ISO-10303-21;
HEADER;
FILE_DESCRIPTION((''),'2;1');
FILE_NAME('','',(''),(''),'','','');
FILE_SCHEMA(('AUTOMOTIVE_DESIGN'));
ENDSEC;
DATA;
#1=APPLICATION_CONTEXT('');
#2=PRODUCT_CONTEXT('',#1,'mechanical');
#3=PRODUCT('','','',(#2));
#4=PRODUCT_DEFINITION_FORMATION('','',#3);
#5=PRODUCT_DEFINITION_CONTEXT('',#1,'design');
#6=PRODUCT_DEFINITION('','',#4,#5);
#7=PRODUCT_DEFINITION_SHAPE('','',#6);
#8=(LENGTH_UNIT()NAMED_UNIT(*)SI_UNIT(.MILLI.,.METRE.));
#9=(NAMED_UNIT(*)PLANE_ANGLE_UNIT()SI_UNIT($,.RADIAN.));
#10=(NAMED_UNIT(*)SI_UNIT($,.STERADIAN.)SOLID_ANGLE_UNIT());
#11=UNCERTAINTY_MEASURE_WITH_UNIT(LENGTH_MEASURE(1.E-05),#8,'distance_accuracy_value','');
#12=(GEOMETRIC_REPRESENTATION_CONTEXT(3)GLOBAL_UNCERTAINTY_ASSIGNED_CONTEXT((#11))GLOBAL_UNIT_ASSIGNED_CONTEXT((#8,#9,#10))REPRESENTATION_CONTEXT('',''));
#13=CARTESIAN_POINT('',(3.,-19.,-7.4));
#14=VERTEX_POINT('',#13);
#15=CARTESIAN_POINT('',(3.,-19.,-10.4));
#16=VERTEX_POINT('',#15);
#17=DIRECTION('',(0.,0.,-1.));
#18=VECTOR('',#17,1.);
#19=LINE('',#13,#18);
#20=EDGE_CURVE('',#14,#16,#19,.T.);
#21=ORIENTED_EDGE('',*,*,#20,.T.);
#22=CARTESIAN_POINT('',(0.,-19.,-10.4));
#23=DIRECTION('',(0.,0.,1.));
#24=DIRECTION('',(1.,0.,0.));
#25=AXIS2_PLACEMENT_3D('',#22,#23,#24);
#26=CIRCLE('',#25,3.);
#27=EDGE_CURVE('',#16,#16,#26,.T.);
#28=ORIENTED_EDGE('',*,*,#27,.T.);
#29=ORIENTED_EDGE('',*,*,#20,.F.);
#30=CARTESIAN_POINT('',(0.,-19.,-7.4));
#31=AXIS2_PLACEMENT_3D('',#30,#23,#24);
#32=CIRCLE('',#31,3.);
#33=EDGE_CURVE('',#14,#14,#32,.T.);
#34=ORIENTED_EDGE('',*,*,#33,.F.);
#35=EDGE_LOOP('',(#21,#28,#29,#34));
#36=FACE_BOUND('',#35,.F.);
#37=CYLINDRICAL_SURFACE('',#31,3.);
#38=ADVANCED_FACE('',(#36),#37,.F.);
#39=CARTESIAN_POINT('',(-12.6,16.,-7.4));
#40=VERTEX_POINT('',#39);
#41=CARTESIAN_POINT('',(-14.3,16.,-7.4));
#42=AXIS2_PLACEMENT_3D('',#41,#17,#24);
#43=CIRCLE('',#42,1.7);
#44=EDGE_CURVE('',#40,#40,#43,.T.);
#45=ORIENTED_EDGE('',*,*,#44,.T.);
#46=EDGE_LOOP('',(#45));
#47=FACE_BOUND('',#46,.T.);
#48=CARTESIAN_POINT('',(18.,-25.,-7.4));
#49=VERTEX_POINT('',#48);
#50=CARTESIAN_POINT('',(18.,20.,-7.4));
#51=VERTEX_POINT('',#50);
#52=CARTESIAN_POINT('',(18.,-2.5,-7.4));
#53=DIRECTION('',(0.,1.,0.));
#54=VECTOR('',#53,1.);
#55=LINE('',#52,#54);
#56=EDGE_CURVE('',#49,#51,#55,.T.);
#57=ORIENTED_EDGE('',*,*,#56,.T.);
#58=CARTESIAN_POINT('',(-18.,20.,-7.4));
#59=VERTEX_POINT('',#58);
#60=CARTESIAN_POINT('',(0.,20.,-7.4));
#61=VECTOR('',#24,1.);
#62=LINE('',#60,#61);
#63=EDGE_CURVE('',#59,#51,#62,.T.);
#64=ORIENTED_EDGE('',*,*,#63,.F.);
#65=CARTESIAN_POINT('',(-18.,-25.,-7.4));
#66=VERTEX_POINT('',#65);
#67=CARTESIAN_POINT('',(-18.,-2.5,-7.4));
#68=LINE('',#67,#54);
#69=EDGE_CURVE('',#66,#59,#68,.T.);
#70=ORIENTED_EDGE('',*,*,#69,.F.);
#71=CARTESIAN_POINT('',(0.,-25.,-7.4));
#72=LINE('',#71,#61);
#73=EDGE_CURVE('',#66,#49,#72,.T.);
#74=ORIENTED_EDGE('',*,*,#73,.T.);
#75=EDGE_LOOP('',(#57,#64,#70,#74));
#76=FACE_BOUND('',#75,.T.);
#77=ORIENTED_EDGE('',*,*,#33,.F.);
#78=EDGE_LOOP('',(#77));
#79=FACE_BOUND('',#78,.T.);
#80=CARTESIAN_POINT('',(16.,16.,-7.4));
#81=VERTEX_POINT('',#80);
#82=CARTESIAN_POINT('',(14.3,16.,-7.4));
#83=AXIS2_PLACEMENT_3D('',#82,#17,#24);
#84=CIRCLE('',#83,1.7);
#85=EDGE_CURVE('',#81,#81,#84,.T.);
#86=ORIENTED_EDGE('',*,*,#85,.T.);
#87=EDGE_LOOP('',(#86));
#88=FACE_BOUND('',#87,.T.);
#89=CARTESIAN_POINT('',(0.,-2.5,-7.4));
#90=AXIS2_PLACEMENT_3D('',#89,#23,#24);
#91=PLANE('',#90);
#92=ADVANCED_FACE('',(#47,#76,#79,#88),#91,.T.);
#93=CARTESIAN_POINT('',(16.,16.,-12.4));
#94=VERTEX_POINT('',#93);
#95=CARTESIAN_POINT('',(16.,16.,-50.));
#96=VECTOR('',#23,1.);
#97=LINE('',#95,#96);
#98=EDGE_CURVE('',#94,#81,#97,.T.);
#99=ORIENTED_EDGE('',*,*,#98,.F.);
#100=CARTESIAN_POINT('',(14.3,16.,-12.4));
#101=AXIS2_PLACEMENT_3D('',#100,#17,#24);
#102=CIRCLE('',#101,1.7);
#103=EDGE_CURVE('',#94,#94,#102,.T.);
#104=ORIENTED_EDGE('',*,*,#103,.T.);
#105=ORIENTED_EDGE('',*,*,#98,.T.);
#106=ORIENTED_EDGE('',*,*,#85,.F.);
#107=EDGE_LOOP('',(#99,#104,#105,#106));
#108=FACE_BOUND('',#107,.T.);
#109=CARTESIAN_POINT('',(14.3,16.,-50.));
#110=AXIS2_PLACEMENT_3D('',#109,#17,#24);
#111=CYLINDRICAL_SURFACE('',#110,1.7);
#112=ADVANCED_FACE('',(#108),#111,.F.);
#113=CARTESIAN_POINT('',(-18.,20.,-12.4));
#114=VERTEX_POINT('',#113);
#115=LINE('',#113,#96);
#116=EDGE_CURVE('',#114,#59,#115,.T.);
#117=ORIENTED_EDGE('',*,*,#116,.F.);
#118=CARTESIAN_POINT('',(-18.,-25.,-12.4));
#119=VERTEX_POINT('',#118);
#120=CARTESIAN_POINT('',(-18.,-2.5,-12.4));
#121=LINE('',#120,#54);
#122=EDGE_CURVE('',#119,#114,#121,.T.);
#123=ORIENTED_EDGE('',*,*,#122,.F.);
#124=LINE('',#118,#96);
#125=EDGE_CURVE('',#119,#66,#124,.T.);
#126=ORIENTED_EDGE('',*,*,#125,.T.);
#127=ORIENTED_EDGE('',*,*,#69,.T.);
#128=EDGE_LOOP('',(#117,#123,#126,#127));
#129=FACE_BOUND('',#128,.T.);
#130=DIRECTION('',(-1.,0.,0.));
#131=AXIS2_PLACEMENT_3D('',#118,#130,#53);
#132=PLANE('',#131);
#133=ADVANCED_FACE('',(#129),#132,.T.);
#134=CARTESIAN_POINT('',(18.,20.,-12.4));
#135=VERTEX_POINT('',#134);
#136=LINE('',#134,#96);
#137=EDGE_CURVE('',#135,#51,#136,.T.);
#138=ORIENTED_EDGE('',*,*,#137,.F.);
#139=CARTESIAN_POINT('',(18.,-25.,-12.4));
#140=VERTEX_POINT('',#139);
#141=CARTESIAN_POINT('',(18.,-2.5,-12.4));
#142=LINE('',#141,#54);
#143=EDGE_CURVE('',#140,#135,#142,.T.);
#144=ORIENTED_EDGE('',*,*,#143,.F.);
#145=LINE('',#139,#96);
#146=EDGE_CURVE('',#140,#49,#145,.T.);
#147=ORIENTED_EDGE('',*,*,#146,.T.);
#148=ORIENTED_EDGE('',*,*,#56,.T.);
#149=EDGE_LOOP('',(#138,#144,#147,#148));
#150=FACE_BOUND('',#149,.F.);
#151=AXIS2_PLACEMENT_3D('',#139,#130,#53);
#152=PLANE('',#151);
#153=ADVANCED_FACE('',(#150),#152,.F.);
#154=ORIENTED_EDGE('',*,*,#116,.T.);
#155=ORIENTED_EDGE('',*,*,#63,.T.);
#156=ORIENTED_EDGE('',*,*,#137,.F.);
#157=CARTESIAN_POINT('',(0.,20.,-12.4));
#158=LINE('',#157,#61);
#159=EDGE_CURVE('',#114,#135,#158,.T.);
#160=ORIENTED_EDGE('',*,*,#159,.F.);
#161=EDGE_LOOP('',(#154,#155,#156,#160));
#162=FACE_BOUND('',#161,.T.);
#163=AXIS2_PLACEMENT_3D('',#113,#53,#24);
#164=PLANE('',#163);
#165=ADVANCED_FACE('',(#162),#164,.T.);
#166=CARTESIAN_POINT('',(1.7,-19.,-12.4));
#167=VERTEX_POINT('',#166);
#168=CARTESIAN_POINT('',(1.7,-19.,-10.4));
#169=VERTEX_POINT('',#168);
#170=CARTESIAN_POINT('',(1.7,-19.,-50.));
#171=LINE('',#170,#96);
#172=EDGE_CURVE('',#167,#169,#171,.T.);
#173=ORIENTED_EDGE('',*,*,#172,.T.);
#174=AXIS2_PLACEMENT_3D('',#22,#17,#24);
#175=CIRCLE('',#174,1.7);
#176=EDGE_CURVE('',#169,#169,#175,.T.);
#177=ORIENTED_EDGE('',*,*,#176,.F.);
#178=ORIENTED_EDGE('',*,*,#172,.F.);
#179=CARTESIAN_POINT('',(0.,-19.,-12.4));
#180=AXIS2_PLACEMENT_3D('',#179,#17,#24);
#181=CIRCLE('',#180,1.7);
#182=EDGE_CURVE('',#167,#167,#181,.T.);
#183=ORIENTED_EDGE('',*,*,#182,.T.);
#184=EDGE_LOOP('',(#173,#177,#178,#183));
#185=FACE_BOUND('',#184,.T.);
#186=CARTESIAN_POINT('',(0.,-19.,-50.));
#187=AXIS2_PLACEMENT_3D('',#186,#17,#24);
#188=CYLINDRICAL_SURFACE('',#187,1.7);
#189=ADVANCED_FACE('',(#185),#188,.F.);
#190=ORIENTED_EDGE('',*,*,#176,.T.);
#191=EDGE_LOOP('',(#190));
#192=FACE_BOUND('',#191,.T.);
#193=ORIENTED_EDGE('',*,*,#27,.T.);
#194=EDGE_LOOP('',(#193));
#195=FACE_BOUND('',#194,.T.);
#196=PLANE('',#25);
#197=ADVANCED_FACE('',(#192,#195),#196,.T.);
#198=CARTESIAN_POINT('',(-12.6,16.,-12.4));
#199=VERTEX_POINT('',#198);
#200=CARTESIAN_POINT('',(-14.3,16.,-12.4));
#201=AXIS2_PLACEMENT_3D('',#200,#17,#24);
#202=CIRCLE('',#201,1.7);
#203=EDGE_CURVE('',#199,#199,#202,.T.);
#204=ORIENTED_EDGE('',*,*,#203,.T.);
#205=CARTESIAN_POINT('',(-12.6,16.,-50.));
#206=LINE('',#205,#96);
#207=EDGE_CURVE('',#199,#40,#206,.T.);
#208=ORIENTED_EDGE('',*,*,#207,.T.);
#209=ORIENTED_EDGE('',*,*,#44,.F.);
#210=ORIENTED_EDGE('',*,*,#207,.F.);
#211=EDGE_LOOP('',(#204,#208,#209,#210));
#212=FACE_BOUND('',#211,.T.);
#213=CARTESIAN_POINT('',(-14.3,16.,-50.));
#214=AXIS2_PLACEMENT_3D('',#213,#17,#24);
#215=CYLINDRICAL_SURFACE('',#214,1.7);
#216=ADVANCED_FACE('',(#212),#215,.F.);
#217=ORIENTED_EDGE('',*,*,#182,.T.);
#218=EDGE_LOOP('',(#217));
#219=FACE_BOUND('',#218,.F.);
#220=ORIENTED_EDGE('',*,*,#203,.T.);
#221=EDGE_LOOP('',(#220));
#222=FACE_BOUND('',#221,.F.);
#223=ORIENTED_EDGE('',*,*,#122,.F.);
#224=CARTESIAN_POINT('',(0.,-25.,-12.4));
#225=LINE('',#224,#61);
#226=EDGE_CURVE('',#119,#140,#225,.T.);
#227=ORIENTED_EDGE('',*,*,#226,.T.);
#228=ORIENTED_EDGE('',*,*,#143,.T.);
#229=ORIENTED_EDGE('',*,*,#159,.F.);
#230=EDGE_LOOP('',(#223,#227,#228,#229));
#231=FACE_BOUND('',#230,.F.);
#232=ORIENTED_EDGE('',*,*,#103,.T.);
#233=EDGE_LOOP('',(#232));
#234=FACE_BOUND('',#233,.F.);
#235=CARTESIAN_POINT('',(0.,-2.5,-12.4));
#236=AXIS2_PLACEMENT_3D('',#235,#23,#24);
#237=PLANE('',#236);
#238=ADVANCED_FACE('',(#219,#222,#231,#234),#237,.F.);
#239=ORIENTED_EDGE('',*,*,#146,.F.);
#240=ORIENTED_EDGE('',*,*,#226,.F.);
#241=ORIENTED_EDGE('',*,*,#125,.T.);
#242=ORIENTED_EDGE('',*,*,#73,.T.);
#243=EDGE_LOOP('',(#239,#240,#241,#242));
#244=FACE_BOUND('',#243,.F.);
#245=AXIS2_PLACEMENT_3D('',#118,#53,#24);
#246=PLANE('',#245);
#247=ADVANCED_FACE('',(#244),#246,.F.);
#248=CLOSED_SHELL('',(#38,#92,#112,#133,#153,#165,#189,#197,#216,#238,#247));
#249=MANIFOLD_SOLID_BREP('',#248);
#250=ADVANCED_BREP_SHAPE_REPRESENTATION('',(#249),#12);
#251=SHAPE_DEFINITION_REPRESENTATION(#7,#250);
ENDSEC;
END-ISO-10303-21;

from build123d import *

# Parameters (mm, degrees)
SKETCH025_R     = 1.7
PAD021_DEPTH    = 100
BOX_W           = 36
BOX_H           = 45
BOX_DEPTH       = 5
SKETCH026_R     = 3
POCKET002_DEPTH = 3


with BuildPart() as pad021:
    # Sketch025 → Pad021 (new body)
    with BuildSketch(Plane.XY.offset(-50)):
        with Locations((0, -19)):
            Circle(SKETCH025_R)
        with Locations((-14.3, 16)):
            Circle(SKETCH025_R)
        with Locations((14.3, 16)):
            Circle(SKETCH025_R)
    extrude(amount=PAD021_DEPTH)


with BuildPart() as pocket002:
    # Box → Box (new body)
    with BuildSketch(Plane(origin=(-18, -25, -12.4), x_dir=(1, 0, 0), z_dir=(0, 0, 1))):
        with Locations((18, 22.5)):
            Rectangle(BOX_W, BOX_H)
    extrude(amount=BOX_DEPTH)

    # Cut006: cut Pad021
    add(pad021.part, mode=Mode.SUBTRACT)

    # Sketch026 → Pocket002 (cut)
    with BuildSketch(Plane.XY.offset(-7.4)):
        with Locations((0, -19)):
            Circle(SKETCH026_R)
    extrude(amount=-POCKET002_DEPTH, mode=Mode.SUBTRACT)


solid = pocket002.part
